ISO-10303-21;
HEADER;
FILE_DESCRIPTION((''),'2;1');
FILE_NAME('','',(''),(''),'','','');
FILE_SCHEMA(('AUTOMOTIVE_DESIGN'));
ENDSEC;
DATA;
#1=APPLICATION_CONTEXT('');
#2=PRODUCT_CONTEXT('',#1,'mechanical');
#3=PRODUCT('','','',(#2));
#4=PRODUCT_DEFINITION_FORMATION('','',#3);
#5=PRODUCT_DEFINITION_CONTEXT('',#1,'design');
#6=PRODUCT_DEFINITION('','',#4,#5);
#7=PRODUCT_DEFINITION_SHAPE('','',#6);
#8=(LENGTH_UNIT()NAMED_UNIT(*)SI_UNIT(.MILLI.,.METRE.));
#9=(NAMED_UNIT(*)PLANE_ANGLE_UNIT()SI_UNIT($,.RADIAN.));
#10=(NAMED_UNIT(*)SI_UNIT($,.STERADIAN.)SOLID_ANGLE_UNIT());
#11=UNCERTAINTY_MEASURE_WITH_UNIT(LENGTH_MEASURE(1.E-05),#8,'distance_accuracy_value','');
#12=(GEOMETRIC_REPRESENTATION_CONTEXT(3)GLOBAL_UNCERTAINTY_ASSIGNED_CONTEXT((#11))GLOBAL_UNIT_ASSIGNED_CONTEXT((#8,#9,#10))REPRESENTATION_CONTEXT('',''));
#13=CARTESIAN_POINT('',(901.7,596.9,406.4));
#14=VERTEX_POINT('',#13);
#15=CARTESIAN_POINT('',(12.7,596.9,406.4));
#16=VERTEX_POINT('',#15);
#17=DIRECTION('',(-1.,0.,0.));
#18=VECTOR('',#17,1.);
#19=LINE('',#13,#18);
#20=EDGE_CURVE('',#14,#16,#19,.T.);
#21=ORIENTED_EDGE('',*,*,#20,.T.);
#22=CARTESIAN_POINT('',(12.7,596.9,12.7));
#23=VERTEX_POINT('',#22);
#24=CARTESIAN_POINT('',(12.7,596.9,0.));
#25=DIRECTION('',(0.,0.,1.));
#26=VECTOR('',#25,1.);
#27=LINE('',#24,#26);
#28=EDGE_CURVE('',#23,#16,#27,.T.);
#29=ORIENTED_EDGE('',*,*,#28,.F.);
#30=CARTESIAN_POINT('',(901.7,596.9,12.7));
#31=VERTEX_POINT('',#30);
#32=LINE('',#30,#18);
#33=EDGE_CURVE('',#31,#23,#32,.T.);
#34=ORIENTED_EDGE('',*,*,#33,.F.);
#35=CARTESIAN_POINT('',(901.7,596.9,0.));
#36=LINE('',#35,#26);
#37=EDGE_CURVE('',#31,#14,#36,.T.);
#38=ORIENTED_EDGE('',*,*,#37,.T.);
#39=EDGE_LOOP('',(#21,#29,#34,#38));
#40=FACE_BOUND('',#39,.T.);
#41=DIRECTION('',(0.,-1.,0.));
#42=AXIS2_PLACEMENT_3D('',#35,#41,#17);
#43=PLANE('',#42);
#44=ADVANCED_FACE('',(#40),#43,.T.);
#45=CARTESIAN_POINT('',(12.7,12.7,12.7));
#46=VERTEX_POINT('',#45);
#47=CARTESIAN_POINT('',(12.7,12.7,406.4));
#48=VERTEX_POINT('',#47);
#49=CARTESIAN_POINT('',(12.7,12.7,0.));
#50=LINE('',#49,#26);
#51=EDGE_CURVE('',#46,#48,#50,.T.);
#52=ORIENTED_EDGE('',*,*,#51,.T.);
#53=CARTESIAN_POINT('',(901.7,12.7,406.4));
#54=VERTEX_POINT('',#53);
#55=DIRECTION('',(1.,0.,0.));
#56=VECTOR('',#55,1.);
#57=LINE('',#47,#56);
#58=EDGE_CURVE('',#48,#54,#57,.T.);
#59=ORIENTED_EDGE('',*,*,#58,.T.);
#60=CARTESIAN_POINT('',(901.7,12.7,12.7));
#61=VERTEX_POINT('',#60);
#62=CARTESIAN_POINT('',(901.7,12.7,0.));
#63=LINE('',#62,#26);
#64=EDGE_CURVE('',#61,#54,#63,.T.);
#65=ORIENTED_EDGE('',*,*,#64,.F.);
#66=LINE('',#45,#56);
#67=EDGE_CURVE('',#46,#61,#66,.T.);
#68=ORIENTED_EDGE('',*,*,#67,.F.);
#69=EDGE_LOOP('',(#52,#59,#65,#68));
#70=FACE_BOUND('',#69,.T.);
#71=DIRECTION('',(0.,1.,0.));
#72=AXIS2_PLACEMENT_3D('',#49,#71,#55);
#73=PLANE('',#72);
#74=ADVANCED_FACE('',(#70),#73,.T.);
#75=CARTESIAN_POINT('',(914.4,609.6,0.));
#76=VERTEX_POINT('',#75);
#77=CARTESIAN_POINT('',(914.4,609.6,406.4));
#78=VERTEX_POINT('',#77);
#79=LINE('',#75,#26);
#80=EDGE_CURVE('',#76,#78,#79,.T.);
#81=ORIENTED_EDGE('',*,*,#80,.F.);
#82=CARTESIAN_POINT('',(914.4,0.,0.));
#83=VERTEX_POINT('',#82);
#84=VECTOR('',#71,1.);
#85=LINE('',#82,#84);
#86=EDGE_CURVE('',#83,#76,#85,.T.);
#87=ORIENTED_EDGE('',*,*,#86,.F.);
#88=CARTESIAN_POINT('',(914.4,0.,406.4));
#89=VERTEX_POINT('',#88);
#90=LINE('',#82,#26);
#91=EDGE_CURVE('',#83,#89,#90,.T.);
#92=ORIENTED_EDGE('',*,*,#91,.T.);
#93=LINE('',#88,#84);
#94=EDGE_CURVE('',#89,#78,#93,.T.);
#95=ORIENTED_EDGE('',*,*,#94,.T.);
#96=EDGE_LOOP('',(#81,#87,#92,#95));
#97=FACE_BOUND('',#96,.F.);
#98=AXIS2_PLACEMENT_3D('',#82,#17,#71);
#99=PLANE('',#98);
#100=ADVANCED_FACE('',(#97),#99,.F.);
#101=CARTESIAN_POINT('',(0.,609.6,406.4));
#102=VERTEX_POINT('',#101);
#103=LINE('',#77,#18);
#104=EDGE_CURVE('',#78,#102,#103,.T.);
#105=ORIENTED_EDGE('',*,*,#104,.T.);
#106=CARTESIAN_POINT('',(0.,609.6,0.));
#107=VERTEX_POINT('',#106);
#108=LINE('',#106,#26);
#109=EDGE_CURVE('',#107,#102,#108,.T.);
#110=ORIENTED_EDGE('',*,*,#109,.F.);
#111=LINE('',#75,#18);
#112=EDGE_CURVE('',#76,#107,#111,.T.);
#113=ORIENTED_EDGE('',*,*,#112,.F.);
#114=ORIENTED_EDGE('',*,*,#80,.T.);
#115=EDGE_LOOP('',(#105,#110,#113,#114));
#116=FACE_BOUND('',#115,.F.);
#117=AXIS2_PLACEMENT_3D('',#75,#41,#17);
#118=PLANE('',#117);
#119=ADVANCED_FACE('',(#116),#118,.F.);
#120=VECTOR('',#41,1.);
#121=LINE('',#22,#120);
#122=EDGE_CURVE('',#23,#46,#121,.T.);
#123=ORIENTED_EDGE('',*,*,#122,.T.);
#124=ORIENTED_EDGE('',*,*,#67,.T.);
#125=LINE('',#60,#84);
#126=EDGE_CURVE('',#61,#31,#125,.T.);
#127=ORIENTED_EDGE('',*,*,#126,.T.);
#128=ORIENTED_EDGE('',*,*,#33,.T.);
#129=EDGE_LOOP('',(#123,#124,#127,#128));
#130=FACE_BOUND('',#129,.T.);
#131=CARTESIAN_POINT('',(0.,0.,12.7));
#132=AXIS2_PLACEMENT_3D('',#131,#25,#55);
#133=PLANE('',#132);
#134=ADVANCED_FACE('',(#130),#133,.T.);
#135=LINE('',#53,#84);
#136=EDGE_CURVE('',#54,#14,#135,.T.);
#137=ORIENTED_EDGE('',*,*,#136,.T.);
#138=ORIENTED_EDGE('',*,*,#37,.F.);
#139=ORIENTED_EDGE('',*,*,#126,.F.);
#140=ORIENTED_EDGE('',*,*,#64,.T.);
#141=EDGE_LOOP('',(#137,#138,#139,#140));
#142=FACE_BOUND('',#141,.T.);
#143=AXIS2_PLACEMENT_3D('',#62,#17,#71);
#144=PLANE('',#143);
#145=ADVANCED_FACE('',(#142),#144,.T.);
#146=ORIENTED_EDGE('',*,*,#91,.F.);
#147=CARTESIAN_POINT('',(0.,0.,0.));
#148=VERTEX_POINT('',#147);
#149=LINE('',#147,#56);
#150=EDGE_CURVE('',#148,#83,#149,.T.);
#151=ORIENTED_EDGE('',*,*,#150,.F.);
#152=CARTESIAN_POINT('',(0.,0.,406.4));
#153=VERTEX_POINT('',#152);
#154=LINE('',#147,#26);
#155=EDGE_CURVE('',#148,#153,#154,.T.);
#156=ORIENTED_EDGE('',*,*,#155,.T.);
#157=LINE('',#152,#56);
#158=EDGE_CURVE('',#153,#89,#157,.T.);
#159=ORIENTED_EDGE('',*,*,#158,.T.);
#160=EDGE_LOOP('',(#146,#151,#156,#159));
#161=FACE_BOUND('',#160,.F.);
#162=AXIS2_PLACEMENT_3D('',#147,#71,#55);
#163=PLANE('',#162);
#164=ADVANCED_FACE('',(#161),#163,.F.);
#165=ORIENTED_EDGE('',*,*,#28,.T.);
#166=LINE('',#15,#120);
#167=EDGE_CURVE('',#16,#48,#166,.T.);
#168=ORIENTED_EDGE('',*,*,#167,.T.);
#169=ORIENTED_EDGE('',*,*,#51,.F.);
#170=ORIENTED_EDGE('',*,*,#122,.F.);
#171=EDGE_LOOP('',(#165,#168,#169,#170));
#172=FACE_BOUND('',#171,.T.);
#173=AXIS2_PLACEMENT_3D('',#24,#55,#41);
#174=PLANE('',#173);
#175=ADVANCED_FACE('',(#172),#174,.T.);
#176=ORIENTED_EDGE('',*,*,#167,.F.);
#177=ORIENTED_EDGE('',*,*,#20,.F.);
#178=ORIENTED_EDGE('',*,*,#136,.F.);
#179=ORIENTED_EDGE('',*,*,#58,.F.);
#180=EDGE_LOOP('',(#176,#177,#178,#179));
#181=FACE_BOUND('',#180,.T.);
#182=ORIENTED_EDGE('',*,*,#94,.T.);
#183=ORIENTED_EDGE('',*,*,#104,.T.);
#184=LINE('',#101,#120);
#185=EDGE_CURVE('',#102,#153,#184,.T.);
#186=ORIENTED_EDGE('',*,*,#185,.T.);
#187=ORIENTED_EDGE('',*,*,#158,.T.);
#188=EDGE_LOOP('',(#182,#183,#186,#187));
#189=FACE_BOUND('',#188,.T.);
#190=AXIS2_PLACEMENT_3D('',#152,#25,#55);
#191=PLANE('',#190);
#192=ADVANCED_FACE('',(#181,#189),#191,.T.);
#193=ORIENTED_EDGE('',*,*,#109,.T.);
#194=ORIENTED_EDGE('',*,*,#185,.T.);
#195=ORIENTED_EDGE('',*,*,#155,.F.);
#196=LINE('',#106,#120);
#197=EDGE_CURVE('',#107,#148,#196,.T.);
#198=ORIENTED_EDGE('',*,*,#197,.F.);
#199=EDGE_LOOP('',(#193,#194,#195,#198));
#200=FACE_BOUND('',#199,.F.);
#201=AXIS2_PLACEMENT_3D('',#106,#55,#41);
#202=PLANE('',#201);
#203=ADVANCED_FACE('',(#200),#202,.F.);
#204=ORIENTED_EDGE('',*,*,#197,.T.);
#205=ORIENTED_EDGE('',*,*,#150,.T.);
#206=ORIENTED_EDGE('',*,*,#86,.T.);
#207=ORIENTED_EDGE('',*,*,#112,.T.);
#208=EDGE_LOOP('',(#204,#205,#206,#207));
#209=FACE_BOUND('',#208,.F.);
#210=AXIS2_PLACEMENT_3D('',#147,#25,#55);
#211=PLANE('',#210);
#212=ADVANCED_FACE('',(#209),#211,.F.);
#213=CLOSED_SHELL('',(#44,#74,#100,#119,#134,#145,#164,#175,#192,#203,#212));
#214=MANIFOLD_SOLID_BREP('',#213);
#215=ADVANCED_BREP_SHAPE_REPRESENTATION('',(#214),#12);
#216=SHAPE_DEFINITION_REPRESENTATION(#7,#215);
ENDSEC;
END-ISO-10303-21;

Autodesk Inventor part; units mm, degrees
ref_plane "YZ Plane" through (0, 0, 0) normal (1, 0, 0) x (0, 1, 0)
ref_plane "XZ Plane" through (0, 0, 0) normal (0, 1, 0) x (-1, 0, 0)
sketch "Sketch1" plane through (0, 0, 0) normal (0, 0, 1) x (1, 0, 0)
  line L0 (0, 0) -> (914.4, 0)
  line L1 (914.4, 0) -> (914.4, 609.6)
  line L2 (914.4, 609.6) -> (0, 609.6)
  line L3 (0, 609.6) -> (0, 0)
  line L4 (12.7, 12.7) -> (901.7, 12.7)
  line L5 (901.7, 12.7) -> (901.7, 596.9)
  line L6 (901.7, 596.9) -> (12.7, 596.9)
  line L7 (12.7, 596.9) -> (12.7, 12.7)
  dimension "d0" = 609.6
  dimension "d1" = 914.4
  dimension "d2" = 12.7
  dimension "d3" = 12.7
  dimension "d4" = 12.7
  dimension "d5" = 12.7
extrude "Extrusion1" add sketch "Sketch1" along normal blind 406.4
extrude "Extrusion2" add sketch "Sketch1" along normal blind 12.7 contours L7 L6 L5 L4
ref_plane "Work Plane1" through (0, 304.8, 0) normal (0, -1, 0) x (1, 0, 0)
equation "\"d0\" = length"
equation "\"d1\" = width"
equation "\"d2\" = thickness"
equation "\"d3\" = thickness"
equation "\"d4\" = thickness"
equation "\"d5\" = thickness"
equation "\"d6\" = height"
equation "\"d8\" = thickness"
equation "\"length\" = 609.6"
equation "\"width\" = 914.4"
equation "\"height\" = 406.4"
equation "\"thickness\" = 12.7"
properties part number "box"
